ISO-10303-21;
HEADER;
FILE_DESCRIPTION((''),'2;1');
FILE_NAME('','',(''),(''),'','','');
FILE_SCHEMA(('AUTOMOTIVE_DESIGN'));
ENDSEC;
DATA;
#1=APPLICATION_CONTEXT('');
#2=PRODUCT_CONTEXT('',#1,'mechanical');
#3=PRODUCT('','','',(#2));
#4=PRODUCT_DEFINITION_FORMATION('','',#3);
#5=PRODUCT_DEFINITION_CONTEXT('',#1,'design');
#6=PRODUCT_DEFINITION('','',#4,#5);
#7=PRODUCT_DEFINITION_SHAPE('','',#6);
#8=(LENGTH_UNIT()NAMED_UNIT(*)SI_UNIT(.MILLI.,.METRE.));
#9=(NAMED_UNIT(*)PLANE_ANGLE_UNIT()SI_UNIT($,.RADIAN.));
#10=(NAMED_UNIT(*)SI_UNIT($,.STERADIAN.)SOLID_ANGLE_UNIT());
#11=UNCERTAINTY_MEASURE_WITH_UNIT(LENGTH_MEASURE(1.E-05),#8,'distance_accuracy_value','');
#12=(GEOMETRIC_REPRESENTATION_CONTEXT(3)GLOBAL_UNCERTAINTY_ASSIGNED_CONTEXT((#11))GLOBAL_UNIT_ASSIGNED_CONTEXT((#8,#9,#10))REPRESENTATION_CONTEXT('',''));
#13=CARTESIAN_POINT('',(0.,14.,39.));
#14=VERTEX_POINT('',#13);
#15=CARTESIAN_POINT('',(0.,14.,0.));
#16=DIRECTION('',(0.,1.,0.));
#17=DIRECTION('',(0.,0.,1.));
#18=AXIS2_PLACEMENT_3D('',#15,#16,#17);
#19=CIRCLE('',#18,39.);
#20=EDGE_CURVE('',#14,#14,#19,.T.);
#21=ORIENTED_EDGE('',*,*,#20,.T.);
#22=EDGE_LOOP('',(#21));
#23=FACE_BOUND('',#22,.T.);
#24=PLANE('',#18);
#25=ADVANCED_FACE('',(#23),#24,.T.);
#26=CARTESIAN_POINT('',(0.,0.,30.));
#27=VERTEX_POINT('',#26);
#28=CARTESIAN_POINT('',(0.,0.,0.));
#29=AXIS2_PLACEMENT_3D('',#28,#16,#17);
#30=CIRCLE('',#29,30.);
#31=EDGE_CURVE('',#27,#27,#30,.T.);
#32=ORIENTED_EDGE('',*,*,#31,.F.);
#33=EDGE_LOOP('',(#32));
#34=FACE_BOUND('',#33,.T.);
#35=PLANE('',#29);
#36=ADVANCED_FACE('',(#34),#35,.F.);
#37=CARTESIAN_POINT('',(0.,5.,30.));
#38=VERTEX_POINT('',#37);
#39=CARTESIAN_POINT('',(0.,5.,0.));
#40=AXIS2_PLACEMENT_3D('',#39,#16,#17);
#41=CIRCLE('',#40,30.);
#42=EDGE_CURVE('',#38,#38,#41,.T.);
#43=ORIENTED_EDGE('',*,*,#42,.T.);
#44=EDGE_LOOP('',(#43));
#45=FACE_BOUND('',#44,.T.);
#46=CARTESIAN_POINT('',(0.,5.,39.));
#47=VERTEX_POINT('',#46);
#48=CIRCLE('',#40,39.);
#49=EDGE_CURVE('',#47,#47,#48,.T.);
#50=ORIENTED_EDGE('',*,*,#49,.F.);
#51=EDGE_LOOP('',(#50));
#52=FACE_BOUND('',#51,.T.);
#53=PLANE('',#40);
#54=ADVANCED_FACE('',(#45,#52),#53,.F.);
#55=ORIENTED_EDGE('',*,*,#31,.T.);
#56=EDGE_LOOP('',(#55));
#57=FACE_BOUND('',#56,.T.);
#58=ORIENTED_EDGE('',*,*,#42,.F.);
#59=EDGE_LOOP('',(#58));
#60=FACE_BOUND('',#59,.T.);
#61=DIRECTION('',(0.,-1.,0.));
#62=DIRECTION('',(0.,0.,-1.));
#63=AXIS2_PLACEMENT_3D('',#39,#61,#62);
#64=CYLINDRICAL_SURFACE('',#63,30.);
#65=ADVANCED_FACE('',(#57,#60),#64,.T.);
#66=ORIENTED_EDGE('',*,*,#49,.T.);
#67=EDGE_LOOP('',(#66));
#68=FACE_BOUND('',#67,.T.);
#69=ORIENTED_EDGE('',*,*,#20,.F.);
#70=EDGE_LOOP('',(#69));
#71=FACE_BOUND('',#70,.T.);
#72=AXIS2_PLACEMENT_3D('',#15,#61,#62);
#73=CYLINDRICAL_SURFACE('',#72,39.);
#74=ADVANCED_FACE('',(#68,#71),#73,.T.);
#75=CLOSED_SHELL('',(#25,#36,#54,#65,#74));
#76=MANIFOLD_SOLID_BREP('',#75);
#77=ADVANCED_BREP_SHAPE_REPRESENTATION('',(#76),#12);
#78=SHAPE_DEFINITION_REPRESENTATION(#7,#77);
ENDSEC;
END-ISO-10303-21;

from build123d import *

# Parameters (mm, degrees)
SKETCH1_R           = 30
BOSS_EXTRUDE7_DEPTH = 5
SKETCH8_R           = 39
BOSS_EXTRUDE8_DEPTH = 9


with BuildPart() as part:
    # Sketch1 → Boss-Extrude7 (new body)
    with BuildSketch(Plane(origin=(0, 0, 0), x_dir=(1, 0, 0), z_dir=(0, 1, 0))):
        Circle(SKETCH1_R)
    extrude(amount=BOSS_EXTRUDE7_DEPTH)

    # Sketch8 → Boss-Extrude8 (add)
    with BuildSketch(Plane(origin=(0, 5, 0), x_dir=(1, 0, 0), z_dir=(0, 1, 0))):
        Circle(SKETCH8_R)
    extrude(amount=BOSS_EXTRUDE8_DEPTH)


solid = part.part
